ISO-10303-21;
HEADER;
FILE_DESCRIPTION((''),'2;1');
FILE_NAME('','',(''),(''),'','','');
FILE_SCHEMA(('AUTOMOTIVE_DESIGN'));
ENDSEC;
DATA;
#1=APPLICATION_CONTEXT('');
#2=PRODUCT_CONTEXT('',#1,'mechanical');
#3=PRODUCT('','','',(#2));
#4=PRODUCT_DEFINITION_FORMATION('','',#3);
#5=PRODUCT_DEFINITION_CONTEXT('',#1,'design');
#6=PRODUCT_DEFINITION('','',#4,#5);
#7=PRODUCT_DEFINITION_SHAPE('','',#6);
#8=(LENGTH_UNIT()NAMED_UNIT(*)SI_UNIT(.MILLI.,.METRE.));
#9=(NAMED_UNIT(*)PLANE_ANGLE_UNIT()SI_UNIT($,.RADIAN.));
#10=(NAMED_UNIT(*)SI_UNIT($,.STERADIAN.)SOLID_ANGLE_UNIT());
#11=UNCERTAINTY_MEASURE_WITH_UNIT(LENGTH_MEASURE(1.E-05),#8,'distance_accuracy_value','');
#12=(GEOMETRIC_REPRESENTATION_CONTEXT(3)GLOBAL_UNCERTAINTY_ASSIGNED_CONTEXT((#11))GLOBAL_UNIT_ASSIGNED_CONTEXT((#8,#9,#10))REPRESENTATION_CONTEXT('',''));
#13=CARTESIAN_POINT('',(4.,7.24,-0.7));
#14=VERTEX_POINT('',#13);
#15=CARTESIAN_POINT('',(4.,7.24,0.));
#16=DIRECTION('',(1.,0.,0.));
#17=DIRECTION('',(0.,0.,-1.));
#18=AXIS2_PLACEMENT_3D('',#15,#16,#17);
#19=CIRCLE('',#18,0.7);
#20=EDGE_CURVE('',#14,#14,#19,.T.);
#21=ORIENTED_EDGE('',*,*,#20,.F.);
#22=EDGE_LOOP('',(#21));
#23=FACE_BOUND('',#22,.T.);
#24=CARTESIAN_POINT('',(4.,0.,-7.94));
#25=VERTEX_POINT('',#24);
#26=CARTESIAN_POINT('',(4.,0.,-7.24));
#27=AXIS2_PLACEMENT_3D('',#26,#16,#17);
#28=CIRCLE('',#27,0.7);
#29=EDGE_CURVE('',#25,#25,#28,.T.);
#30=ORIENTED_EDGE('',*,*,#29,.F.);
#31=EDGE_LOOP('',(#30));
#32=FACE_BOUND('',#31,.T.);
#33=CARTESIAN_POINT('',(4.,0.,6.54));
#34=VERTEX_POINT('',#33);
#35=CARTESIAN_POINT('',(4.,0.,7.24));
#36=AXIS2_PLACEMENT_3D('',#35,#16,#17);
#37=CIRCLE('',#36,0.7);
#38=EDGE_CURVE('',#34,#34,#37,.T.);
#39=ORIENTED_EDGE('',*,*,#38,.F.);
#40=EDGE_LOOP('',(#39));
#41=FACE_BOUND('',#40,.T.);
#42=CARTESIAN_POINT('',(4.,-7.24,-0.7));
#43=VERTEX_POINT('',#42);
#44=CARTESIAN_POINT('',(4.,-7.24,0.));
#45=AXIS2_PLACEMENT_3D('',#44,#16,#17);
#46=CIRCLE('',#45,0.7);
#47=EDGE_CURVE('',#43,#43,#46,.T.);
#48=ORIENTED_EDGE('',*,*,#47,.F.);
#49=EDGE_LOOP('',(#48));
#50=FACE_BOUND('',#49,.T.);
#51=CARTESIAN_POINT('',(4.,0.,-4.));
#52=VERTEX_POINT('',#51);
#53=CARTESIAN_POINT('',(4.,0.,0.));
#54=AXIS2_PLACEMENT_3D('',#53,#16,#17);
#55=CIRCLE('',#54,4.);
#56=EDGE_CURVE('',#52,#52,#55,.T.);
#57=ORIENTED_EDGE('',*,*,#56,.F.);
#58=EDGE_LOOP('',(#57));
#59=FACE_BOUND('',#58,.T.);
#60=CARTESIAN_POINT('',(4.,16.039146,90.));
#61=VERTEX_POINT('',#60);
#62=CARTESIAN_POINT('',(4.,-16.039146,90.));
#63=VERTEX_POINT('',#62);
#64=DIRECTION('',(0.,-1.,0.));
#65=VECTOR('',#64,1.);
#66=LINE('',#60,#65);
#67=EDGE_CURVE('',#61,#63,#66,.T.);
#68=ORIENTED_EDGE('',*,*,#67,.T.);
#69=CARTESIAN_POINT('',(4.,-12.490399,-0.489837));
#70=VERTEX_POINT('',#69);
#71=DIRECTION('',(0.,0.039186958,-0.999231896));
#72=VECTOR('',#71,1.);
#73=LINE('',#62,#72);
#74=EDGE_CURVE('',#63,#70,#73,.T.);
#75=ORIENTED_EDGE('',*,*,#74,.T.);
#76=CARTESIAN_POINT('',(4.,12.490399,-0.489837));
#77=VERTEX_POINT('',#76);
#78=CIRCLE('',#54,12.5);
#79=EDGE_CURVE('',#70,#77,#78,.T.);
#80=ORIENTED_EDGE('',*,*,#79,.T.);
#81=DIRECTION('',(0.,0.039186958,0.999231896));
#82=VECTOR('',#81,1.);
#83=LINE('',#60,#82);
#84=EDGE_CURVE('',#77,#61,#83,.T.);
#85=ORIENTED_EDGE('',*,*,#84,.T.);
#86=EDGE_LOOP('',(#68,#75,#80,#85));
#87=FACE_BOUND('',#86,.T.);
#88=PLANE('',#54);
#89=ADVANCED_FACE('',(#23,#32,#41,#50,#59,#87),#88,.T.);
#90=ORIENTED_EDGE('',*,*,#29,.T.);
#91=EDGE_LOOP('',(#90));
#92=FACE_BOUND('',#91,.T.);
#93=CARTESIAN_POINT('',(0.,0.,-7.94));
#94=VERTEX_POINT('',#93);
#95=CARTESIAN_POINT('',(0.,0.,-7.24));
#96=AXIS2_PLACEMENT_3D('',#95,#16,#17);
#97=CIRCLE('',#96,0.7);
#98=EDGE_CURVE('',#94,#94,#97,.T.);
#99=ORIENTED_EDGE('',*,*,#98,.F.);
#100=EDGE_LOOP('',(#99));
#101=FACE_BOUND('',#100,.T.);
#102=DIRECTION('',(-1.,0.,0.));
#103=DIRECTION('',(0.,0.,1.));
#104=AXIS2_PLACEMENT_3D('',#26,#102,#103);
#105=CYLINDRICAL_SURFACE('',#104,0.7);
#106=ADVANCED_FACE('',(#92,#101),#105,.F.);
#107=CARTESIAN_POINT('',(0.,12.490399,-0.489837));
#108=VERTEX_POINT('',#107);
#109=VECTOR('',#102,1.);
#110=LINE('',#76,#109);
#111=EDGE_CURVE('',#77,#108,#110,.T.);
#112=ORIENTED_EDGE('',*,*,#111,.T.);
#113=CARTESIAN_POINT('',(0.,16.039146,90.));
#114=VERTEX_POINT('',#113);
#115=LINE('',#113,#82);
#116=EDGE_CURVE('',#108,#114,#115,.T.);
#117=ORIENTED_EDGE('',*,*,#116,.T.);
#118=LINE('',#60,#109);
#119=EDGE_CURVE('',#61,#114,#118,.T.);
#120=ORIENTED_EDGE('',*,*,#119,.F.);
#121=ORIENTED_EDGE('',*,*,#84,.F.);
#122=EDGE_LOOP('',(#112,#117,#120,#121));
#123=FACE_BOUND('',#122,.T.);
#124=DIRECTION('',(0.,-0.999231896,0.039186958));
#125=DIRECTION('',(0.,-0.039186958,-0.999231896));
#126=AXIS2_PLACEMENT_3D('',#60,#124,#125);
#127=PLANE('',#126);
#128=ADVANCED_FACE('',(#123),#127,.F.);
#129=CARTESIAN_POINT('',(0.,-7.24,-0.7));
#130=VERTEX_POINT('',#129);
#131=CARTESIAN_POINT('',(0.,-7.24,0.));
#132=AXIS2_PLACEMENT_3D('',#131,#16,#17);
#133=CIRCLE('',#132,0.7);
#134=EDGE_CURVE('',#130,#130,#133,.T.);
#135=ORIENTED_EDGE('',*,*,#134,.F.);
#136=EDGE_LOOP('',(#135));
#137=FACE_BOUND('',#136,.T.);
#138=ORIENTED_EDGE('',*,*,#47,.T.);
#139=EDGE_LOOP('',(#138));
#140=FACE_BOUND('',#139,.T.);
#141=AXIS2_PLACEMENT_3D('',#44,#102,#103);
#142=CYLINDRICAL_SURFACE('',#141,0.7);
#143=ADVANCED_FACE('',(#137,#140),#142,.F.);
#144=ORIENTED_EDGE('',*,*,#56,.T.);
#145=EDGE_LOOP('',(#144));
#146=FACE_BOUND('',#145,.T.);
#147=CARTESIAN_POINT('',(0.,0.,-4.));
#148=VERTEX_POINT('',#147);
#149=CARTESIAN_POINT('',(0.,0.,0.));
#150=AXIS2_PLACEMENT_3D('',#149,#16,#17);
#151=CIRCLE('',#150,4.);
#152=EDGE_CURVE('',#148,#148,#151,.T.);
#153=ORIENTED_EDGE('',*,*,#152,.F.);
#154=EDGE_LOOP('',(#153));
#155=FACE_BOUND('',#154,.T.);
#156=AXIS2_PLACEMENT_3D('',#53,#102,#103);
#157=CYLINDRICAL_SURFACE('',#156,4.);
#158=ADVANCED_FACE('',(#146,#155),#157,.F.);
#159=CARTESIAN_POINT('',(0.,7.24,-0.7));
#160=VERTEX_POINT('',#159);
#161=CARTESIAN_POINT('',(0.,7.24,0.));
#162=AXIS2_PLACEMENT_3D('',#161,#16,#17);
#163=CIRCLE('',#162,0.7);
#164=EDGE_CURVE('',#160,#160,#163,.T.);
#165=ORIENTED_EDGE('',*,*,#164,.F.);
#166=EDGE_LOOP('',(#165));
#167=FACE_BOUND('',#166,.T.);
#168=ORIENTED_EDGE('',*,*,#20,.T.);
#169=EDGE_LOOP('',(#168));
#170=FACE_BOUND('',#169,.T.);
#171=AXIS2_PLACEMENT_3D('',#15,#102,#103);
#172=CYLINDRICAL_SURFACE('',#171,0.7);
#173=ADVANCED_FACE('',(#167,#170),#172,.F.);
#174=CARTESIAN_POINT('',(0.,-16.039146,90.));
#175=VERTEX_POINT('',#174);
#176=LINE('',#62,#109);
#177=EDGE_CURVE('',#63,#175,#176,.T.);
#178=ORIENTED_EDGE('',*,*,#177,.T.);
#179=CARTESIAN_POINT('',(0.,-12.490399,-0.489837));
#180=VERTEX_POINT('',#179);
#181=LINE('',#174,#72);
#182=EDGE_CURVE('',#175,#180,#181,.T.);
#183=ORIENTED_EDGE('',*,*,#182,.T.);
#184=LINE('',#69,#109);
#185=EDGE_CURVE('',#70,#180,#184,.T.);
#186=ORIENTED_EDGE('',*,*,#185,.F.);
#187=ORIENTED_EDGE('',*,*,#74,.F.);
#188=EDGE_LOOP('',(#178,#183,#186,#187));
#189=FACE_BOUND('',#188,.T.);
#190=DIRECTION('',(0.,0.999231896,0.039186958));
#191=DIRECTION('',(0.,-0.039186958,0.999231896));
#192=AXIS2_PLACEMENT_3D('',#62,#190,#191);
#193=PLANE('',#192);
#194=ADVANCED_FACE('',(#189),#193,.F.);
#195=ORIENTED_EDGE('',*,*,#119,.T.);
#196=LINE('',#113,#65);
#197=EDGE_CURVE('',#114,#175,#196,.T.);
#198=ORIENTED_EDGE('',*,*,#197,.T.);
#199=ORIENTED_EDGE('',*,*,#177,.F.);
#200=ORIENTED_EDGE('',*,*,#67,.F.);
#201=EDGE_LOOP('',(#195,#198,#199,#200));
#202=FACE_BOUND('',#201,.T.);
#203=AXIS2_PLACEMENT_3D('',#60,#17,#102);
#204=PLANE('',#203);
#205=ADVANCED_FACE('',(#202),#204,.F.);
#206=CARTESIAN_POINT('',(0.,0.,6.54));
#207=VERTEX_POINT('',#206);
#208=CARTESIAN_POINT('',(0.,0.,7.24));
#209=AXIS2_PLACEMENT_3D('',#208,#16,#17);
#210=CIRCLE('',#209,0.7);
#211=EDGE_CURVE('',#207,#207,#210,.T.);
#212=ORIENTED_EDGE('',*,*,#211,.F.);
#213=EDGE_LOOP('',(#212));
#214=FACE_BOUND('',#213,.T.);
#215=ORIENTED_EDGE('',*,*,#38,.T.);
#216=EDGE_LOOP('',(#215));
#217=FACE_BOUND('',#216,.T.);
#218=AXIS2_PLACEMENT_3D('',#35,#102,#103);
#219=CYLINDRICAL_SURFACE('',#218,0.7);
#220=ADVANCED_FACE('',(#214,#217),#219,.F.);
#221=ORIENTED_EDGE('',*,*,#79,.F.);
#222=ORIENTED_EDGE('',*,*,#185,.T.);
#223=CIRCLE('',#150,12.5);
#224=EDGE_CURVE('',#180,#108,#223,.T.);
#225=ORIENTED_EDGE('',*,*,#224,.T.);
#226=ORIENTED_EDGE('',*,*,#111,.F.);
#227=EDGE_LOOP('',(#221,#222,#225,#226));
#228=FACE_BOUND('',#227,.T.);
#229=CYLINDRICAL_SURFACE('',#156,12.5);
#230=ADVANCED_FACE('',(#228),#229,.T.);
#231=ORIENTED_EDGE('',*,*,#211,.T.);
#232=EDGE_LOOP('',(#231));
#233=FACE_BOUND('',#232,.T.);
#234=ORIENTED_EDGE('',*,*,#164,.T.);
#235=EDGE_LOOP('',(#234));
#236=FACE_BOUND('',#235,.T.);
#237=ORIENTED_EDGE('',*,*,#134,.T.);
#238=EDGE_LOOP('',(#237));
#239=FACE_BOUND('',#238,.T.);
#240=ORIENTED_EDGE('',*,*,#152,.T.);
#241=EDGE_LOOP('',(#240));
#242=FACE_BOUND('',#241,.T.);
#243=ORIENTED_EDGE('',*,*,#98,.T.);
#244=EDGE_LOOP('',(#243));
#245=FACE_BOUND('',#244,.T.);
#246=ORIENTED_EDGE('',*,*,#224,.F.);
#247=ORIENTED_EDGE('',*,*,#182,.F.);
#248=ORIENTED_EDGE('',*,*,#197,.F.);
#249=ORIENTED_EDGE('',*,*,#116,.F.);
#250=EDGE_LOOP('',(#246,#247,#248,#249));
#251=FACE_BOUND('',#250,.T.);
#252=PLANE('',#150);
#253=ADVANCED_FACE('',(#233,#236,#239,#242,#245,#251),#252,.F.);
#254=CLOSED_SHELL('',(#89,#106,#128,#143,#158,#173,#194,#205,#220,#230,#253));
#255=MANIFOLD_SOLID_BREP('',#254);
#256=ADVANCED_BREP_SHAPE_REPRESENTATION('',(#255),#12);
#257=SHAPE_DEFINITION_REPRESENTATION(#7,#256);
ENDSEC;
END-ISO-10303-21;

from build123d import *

# Parameters (mm, degrees)
SKETCH1_R           = 4
SKETCH1_R_2         = 0.7
BOSS_EXTRUDE1_DEPTH = 4


with BuildPart() as part:
    # Sketch1 → Boss-Extrude1 (new body)
    with BuildSketch(Plane(origin=(0, 0, 0), x_dir=(0, 0, -1), z_dir=(1, 0, 0))):
        with BuildLine():
            Line((-90, 16.039145957), (-90, -16.039145957))
            Line((-90, -16.039145957), (0.489836976, -12.490398702))
            ThreePointArc((0.489836976, -12.490398702), (12.5, 0), (0.489836976, 12.490398702))
            Line((0.489836976, 12.490398702), (-90, 16.039145957))
        make_face()
        Circle(SKETCH1_R, mode=Mode.SUBTRACT)
        with Locations((-7.24, 0)):
            Circle(SKETCH1_R_2, mode=Mode.SUBTRACT)
        with Locations((0, 7.24)):
            Circle(SKETCH1_R_2, mode=Mode.SUBTRACT)
        with Locations((7.24, 0)):
            Circle(SKETCH1_R_2, mode=Mode.SUBTRACT)
        with Locations((0, -7.24)):
            Circle(SKETCH1_R_2, mode=Mode.SUBTRACT)
    extrude(amount=BOSS_EXTRUDE1_DEPTH)


solid = part.part
